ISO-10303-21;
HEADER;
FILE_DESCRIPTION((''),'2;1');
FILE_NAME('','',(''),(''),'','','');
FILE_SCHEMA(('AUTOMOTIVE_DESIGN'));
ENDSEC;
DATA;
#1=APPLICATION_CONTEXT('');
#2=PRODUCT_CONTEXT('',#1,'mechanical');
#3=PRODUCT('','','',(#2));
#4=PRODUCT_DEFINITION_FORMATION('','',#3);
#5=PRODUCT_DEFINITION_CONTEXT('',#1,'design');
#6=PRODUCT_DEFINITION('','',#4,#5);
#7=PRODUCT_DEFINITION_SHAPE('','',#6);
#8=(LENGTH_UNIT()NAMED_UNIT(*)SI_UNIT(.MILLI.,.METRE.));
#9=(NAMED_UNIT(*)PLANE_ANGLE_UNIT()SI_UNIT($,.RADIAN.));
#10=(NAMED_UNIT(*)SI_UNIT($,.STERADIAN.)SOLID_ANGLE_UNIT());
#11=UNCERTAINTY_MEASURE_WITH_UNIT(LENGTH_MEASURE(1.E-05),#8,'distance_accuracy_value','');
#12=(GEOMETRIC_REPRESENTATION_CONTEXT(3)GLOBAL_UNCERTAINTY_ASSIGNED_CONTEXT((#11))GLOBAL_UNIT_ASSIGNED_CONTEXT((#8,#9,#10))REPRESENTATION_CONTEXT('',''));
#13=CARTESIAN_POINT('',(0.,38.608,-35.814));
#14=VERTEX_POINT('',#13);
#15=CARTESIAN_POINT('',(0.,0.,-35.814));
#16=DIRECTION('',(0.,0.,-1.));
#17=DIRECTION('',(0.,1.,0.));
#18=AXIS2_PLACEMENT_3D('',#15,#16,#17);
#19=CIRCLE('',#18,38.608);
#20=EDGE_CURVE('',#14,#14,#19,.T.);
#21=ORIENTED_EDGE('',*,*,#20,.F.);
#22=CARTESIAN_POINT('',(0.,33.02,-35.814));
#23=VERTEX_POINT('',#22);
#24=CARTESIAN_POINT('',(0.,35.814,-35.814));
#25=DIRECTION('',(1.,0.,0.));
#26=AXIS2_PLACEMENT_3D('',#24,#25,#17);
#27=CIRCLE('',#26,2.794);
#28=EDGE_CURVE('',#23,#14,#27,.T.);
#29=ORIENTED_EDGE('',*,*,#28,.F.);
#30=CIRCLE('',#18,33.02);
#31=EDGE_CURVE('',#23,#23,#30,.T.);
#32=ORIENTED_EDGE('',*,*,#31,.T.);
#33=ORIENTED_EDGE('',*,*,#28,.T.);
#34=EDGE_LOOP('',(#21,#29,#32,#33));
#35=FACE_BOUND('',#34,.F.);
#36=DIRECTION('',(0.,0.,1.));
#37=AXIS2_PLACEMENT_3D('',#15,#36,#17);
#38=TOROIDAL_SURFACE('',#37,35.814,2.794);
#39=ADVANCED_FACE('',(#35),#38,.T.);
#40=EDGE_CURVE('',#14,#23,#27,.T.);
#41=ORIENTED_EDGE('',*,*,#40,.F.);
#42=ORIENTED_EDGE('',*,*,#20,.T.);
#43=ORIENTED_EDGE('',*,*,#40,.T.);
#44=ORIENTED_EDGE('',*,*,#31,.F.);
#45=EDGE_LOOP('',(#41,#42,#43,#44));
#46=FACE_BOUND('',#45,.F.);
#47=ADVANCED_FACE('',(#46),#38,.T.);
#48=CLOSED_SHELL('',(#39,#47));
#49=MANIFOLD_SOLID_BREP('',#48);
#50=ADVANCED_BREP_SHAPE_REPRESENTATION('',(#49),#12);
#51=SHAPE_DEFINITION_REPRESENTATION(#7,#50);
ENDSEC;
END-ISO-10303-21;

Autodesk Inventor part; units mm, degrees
ref_plane "YZ Plane" through (0, 0, 0) normal (1, 0, 0) x (0, 1, 0)
ref_plane "XZ Plane" through (0, 0, 0) normal (0, 1, 0) x (-1, 0, 0)
ref_plane "XY Plane" through (0, 0, 0) normal (0, 0, 1) x (1, 0, 0)
sketch "Sketch1" plane through (0, 0, 0) normal (1, 0, 0) x (0, 1, 0)
  line L0 (0, 0) -> (0, -71.628)
  line L1 (0, -35.814) -> (35.814, -35.814)
  circle A0 centre (35.814, -35.814) radius 2.794
  dimension "d0" = 71.628
  dimension "d1" = 35.814
  dimension "d2" = 5.588
revolve "Revolution1" add sketch "Sketch1" angle 360 about axis through (0, 0, 0) along (0, 0, -1)
properties part number "msheehan_ring_large"
